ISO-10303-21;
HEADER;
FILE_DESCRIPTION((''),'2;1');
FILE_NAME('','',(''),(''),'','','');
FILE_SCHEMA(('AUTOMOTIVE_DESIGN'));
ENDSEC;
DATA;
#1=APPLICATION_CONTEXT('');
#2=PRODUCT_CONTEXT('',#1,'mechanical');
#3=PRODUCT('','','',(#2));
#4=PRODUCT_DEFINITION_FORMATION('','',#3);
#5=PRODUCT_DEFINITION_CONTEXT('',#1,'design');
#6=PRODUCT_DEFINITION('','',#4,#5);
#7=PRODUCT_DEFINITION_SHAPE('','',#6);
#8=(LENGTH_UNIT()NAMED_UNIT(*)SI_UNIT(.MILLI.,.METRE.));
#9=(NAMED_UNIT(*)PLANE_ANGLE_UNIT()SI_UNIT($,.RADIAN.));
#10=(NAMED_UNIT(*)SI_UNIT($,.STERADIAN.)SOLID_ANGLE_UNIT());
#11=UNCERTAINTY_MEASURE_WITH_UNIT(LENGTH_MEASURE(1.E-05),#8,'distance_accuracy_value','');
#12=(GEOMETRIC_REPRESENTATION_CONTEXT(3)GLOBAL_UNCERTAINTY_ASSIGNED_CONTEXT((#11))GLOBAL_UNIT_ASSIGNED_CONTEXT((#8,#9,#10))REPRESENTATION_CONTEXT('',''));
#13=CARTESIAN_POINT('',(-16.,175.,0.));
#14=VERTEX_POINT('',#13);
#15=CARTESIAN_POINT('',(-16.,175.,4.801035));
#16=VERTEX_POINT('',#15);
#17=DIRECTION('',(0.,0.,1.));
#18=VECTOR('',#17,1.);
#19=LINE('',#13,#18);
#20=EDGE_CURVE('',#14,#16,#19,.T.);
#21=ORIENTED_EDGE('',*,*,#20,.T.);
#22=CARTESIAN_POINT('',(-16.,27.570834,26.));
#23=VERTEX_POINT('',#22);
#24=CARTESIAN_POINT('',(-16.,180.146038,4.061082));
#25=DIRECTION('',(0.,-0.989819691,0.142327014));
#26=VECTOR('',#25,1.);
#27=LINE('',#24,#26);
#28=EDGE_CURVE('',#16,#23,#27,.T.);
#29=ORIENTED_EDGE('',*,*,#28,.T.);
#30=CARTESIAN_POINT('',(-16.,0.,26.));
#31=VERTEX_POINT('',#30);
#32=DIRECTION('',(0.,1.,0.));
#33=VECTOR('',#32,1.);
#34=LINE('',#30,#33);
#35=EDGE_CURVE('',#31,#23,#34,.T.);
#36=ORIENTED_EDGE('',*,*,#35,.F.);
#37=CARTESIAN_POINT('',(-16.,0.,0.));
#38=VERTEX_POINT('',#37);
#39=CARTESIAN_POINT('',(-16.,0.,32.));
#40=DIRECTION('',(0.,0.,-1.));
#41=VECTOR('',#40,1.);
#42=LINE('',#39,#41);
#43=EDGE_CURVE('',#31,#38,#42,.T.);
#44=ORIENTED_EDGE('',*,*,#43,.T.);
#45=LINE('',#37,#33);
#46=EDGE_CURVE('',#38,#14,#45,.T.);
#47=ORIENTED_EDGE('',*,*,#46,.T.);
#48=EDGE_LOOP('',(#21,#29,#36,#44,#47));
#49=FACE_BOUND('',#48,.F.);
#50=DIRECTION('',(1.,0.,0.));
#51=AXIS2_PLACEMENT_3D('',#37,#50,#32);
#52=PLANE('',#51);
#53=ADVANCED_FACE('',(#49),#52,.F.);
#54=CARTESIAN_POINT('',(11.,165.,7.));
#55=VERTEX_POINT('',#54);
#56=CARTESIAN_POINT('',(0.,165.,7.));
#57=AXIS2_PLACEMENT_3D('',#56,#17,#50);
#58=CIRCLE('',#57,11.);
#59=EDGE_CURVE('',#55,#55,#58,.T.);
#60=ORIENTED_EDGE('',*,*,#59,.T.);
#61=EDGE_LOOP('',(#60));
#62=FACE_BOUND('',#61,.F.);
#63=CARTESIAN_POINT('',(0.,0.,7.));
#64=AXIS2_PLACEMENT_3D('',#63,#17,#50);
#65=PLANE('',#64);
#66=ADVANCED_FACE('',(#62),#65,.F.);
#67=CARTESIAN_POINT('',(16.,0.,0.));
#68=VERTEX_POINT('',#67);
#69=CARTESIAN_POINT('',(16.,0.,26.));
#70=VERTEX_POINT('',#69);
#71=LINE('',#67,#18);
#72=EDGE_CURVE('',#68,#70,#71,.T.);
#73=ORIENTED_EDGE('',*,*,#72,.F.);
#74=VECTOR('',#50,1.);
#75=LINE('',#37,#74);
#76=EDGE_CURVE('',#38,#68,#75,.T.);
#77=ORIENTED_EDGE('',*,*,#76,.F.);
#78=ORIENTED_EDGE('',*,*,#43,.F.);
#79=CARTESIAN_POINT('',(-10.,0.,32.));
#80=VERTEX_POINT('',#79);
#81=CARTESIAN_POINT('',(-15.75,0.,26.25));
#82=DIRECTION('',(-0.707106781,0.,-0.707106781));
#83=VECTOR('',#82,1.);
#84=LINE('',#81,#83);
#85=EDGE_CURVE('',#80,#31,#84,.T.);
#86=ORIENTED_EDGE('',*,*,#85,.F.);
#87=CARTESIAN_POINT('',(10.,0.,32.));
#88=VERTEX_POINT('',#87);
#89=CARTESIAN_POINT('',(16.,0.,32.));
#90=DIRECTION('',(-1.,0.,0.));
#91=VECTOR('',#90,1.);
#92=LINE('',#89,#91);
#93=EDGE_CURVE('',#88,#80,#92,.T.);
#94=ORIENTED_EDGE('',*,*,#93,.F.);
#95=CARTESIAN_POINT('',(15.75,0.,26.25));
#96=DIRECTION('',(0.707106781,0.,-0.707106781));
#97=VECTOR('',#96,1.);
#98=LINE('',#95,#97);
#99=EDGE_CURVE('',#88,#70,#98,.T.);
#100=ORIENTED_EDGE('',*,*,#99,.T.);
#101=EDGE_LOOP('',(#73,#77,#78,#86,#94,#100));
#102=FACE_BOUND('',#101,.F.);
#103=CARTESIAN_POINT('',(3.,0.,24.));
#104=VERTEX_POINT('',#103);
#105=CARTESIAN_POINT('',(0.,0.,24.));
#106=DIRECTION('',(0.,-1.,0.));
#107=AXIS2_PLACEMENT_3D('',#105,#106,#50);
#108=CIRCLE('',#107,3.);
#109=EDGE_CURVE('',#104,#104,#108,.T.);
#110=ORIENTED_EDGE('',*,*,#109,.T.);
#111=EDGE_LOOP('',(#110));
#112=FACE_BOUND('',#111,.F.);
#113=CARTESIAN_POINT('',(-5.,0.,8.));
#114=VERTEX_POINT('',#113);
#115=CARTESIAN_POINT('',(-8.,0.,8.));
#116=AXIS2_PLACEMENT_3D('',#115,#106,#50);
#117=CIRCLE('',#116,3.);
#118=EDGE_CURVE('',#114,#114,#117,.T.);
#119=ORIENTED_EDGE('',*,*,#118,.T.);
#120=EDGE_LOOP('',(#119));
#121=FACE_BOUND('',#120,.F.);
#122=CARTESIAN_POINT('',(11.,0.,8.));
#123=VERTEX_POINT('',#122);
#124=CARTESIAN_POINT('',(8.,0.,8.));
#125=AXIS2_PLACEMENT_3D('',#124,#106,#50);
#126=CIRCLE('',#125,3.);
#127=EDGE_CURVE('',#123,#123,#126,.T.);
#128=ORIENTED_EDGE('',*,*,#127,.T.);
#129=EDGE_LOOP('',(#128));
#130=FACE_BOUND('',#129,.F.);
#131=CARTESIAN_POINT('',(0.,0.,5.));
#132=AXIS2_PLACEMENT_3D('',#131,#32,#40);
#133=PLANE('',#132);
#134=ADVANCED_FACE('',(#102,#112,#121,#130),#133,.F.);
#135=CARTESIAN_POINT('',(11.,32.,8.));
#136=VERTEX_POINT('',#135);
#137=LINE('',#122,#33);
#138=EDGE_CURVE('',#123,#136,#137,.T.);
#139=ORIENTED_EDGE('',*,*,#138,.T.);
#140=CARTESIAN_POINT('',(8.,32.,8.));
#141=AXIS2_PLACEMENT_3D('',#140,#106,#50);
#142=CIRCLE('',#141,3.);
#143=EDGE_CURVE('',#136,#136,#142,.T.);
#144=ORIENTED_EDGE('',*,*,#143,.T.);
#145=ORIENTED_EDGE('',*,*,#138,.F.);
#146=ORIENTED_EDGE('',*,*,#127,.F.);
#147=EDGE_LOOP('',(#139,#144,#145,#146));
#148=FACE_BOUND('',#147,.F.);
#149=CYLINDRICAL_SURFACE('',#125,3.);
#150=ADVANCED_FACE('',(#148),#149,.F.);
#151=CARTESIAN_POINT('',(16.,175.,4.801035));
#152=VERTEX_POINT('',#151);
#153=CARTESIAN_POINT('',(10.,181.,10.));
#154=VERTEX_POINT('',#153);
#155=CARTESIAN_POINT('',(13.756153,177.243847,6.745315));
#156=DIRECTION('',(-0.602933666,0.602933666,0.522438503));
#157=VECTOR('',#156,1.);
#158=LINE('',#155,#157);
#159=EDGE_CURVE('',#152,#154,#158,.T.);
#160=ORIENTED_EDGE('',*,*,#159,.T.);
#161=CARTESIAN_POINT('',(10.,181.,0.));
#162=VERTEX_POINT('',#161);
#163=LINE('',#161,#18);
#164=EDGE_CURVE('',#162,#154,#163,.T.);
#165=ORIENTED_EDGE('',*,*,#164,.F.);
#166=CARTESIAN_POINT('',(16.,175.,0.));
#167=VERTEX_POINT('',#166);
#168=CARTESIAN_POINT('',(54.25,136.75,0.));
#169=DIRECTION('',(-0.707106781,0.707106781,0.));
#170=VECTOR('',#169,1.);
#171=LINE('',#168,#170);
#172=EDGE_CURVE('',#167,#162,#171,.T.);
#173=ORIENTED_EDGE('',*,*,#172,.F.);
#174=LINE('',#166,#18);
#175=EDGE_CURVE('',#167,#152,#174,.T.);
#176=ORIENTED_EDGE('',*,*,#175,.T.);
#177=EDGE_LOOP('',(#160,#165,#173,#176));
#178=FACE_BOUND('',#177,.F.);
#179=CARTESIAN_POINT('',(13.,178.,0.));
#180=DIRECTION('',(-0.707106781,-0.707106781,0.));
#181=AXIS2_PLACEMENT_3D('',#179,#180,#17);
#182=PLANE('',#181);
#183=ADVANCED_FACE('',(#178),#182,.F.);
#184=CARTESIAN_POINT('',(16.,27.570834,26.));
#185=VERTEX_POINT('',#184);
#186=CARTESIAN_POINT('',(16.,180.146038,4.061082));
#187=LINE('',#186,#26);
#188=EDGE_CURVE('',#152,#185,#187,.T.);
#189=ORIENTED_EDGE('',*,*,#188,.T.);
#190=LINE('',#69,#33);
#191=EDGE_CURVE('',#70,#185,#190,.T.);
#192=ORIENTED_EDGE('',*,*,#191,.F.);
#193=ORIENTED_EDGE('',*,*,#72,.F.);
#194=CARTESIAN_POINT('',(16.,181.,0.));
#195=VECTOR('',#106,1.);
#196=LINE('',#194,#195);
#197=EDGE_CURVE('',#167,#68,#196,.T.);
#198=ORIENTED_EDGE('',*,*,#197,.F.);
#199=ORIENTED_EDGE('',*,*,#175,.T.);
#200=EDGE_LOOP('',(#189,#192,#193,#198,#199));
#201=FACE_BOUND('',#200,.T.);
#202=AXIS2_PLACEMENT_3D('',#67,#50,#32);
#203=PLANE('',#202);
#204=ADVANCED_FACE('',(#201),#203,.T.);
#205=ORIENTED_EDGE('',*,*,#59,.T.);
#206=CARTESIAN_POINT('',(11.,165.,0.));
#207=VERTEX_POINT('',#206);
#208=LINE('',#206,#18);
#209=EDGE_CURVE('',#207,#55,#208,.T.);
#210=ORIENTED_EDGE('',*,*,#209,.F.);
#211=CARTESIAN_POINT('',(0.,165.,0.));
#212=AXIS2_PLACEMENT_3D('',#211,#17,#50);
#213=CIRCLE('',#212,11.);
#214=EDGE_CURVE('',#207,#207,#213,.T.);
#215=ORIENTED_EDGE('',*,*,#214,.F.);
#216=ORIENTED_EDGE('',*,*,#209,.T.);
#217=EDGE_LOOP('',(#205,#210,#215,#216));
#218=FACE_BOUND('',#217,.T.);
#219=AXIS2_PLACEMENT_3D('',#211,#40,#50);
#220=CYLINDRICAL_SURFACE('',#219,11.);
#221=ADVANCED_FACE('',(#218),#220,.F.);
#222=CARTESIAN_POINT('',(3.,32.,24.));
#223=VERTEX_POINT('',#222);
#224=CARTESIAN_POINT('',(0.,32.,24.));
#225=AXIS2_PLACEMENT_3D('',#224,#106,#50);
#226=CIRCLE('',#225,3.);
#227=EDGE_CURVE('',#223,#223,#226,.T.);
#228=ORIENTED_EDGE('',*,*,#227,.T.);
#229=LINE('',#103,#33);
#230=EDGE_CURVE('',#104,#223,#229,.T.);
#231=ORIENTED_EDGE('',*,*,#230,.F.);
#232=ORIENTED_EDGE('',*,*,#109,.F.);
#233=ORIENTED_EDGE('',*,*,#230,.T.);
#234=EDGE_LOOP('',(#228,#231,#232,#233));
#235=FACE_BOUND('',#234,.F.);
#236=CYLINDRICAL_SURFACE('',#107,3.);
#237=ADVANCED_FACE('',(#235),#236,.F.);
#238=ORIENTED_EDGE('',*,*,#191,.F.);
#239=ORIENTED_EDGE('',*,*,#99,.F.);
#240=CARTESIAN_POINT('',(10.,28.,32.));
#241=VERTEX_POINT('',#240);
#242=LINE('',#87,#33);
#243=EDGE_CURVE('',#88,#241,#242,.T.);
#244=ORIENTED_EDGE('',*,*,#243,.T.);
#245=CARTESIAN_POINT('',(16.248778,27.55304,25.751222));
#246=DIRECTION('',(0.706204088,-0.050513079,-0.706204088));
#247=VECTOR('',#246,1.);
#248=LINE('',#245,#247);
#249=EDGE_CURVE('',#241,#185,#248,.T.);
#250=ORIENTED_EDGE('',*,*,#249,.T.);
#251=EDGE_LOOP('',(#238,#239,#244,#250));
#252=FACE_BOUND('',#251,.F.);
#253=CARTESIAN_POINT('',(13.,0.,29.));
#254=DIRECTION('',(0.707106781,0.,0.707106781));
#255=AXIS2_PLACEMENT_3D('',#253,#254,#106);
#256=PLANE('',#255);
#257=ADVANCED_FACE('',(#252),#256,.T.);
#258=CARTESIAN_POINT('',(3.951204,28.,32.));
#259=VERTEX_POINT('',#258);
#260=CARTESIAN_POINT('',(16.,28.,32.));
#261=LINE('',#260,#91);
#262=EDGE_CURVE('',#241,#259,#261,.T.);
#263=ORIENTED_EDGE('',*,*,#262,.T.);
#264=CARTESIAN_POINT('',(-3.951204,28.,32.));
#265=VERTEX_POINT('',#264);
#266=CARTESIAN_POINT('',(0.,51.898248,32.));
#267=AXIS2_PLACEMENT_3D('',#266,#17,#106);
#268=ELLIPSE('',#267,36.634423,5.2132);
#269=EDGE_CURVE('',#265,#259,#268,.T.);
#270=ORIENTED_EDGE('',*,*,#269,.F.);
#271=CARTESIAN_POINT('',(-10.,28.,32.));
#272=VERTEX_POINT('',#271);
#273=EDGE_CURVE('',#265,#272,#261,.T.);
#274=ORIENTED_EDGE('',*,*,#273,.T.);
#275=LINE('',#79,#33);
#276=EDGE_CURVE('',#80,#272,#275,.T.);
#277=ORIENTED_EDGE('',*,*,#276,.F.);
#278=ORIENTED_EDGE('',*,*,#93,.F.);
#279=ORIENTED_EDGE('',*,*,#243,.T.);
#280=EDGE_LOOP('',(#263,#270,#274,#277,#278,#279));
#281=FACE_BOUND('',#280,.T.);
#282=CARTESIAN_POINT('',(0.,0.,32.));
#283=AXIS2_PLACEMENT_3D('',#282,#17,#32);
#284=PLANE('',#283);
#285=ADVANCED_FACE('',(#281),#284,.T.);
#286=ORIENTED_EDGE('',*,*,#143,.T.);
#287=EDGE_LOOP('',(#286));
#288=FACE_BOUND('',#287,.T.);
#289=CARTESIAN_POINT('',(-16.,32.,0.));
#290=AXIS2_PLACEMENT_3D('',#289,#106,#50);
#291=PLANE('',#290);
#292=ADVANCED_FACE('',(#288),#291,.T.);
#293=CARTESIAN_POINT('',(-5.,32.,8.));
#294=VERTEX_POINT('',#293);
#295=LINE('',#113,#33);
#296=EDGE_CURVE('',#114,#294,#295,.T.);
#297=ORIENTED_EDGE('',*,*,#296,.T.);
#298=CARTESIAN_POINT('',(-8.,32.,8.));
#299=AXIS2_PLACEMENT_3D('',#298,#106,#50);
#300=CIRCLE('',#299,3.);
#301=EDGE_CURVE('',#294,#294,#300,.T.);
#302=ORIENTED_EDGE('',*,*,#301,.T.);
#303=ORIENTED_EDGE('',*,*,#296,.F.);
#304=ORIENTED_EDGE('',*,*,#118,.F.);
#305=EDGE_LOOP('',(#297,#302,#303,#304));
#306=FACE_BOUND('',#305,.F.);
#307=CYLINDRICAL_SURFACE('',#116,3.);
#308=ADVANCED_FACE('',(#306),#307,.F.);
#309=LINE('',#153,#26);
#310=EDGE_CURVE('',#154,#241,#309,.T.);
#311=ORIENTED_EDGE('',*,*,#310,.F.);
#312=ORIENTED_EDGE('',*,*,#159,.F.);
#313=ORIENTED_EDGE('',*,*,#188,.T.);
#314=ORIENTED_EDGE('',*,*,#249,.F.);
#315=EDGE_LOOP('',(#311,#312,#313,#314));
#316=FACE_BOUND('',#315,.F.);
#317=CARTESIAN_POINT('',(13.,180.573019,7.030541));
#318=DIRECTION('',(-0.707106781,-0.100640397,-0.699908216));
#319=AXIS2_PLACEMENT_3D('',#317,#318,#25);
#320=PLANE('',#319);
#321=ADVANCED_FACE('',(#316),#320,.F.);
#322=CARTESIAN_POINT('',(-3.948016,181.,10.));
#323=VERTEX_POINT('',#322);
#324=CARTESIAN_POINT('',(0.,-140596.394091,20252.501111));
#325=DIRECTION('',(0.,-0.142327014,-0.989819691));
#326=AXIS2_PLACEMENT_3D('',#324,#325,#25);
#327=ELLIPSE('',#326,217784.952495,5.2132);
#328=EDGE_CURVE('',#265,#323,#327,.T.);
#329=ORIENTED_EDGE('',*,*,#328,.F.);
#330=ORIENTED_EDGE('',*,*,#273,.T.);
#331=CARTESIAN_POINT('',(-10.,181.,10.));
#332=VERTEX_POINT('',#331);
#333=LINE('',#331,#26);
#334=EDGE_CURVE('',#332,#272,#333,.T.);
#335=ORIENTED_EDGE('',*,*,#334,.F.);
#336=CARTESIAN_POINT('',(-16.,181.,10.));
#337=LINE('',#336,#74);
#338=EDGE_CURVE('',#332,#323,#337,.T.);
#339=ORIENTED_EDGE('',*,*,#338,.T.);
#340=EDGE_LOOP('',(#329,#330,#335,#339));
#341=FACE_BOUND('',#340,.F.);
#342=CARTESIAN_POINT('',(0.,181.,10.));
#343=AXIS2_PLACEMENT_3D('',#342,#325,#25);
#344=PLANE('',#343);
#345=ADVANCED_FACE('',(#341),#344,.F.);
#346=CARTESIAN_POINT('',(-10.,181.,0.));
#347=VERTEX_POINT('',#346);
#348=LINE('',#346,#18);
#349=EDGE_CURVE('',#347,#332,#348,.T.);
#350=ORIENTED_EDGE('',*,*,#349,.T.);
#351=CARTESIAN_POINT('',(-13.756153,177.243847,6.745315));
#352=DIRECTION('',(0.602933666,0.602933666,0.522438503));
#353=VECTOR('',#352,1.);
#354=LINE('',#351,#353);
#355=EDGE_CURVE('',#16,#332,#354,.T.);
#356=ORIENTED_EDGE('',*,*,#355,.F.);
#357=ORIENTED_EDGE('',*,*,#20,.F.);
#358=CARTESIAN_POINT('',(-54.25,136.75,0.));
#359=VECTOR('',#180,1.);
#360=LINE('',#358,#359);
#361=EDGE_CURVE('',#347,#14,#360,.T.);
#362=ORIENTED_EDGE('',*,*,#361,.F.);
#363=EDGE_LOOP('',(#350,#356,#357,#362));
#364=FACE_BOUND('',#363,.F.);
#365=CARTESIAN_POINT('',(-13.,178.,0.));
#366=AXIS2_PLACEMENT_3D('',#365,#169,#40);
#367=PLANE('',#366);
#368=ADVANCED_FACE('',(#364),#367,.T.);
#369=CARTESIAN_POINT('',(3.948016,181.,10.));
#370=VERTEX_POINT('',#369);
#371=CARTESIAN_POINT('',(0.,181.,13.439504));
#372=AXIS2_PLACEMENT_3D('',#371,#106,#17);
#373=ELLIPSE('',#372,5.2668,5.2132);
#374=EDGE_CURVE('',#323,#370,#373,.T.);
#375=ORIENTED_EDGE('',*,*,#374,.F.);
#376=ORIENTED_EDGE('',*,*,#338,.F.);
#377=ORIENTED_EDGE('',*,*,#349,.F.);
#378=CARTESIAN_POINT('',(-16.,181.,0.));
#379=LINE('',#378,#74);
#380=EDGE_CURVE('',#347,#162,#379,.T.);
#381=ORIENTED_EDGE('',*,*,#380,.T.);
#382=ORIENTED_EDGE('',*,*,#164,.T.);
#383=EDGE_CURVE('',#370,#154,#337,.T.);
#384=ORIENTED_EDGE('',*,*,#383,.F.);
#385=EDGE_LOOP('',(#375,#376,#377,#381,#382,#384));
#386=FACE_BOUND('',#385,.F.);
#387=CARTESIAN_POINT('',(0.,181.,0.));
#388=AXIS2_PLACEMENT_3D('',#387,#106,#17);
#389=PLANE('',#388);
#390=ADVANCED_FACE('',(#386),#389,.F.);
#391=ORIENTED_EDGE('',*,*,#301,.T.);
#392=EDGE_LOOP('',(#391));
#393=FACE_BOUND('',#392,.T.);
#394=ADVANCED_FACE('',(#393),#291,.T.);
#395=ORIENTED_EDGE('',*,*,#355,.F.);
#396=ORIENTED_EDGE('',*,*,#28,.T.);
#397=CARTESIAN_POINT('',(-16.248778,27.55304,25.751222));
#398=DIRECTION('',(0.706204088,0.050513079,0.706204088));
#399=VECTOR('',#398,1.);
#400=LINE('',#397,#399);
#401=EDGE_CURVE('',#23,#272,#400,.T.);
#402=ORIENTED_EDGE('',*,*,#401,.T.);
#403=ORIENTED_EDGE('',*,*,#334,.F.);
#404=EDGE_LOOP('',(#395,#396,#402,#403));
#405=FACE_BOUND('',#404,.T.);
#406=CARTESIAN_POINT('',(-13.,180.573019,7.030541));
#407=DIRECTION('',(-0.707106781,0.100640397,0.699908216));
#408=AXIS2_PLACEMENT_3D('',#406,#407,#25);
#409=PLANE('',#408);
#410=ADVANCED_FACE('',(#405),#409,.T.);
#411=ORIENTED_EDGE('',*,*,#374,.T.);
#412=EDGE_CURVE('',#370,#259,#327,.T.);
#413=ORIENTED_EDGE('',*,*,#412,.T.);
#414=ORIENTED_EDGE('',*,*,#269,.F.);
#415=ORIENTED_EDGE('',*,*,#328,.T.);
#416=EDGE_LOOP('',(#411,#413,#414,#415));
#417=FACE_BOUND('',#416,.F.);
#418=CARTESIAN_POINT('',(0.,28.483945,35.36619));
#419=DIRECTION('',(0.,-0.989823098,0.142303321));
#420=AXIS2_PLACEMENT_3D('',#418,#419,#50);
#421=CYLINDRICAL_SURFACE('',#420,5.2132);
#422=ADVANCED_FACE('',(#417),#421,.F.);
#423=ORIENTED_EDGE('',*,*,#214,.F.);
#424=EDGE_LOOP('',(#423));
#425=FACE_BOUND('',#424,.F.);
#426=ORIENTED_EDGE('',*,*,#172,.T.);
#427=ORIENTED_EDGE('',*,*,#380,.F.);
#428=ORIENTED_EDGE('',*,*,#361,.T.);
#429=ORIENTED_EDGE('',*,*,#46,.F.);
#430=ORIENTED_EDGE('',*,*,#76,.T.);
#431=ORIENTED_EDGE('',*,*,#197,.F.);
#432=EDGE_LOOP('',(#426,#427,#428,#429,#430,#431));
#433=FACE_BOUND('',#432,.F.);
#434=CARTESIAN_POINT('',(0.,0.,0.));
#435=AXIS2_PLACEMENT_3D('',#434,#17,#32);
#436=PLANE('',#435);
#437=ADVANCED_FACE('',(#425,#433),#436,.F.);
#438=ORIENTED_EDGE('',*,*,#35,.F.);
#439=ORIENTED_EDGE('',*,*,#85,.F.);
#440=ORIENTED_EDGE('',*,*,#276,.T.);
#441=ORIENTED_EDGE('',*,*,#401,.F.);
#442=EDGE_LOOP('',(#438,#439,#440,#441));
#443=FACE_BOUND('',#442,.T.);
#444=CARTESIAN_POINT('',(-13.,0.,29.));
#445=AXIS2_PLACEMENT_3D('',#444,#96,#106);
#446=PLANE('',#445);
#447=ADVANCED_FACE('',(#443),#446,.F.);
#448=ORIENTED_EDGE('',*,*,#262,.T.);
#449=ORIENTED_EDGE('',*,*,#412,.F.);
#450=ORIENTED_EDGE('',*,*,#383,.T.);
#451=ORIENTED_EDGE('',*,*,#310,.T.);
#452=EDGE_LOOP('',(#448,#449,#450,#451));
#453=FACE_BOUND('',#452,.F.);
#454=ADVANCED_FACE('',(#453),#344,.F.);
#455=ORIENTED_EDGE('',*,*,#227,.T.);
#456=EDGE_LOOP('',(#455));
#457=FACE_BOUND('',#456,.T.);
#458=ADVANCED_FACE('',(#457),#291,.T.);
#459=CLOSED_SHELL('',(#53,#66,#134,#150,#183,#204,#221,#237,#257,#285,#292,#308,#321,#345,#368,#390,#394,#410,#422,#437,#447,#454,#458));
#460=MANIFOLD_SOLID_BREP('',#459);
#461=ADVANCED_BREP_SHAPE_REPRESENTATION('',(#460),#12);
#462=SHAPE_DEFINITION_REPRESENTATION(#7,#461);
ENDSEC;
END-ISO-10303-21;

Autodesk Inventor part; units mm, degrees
ref_plane "YZ Plane" through (0, 0, 0) normal (1, 0, 0) x (0, 1, 0)
ref_plane "XZ Plane" through (0, 0, 0) normal (0, 1, 0) x (-1, 0, 0)
sketch "Sketch1" plane through (0, 0, 0) normal (0, 0, 1) x (1, 0, 0)
  circle A0 centre (0, 165) radius 11
  line L0 (-11, 0) -> (-5, 0) construction
  line L1 (-5, 0) -> (-5, 24.6936) construction
  line L2 (-5, 24.6936) -> (-11, 24.6936) construction
  line L3 (-11, 24.6936) -> (-11, 0) construction
  line L4 (0, 0) -> (0, -33.6453) construction
  line L5 (11, 0) -> (5, 0) construction
  line L6 (5, 0) -> (5, 24.6936) construction
  line L7 (5, 24.6936) -> (11, 24.6936) construction
  line L8 (11, 24.6936) -> (11, 0) construction
  line L9 (16, 0) -> (-16, 0) construction
  line L10 (-16, 0) -> (-16, 181) construction
  line L11 (-16, 181) -> (16, 181) construction
  line L12 (16, 181) -> (16, 0) construction
  line L13 (-11, 168.4627) -> (-11, 161.5373) construction
  line L14 (-3.4627, 176) -> (3.4627, 176) construction
  point P0 (0, 0)
  point P1 (-11, 165)
  point P2 (0, 176)
  dimension "d0" = 22
  dimension "d1" = 165
  dimension "d2" = 6
  dimension "d3" = 10
  dimension "d4" = 5
  dimension "d8" = 5
  dimension "d9" = 5
  dimension "d10" = 32
sketch "Sketch2" plane through (0, 0, 0) normal (1, 0, 0) x (0, 1, 0)
  line L0 (0, 0) -> (181, 0)
  line L1 (181, 0) -> (181, 32) construction
  line L2 (181, 32) -> (0, 32) construction
  line L3 (0, 32) -> (0, 0)
  line L4 (0, 27) -> (25, 27)
  line L5 (25, 27) -> (25, 21)
  line L6 (25, 21) -> (0, 21)
  line L7 (0, 21) -> (0, 27)
  line L8 (25, 11) -> (0, 11)
  line L9 (0, 11) -> (0, 5)
  line L10 (0, 5) -> (25, 5)
  line L11 (25, 5) -> (25, 11)
  line L12 (0, 32) -> (28, 32)
  line L13 (176, 0) -> (154, 0) projected
  line L14 (176, 0) -> (154, 0) construction
  line L15 (154, 0) -> (154, 7) construction
  line L16 (154, 7) -> (176, 7) construction
  line L17 (176, 7) -> (176, 0) construction
  line L18 (181, 0) -> (181, 10)
  line L19 (181, 10) -> (28, 32)
  dimension "d7" = 32
  dimension "d11" = 6
  dimension "d12" = 10
  dimension "d13" = 5
  dimension "d14" = 25
  dimension "d15" = 7
  dimension "d16" = 3
  dimension "d17" = 3
extrude "Extrusion1" add sketch "Sketch2" along normal mid plane 32
chamfer "Chamfer1" distance 6 angle 45 6 edges at (-16, 104.5, 21) (-16, 14, 32) (16, 14, 32) (16, 104.5, 21) (-16, 181, 5) (16, 181, 5)
extrude "Extrusion2" cut sketch "Sketch1" along normal blind 7
sketch "Sketch3" plane through (-10, 181, 10) normal (0, 0.1423, 0.9898) x (1, 0, 0)
  line L0 (0, 0) -> (20, 0) projected
  line L1 (10, 0) -> (10, -154.5736)
  line L2 (0, -154.5736) -> (20, -154.5736) projected
  point P0 (10, -177.7341)
ref_plane "Work Plane1" through (0, 28, 32) normal (0, -0.9898, 0.1423) x (1, 0, 0)
sketch "Sketch4" plane through (0, 28, 32) normal (0, -0.9898, 0.1423) x (1, 0, 0)
  circle A0 centre (0, 3.4008) radius 5.2132
  point P0 (0, -35.6594)
extrude "Extrusion3" cut sketch "Sketch4" against normal through all both and the other way through all
sketch "Sketch5" plane through (-16, 0, 0) normal (0, -1, 0) x (1, 0, 0)
  circle A0 centre (8, 8) radius 3
  circle A1 centre (24, 8) radius 3
  circle A2 centre (16, 24) radius 3
  line L0 (32, 0) -> (0, 0) projected
  line L1 (24, 8) -> (8, 8) construction
  point P0 (16, 0)
  point P1 (16, 0)
  point P2 (16, 8)
  point P3 (16, 0)
  dimension "d27" = 6
  dimension "d28" = 16
  dimension "d29" = 8
  dimension "d30" = 16
extrude "Extrusion4" cut sketch "Sketch5" against normal blind 32
thread "Thread1" size "M6x1" class "6H" standard "ANSI Metric M Profile" full length
thread "Thread2" size "M6x1" class "6H" standard "ANSI Metric M Profile" full length
thread "Thread3" size "M6x1" class "6H" standard "ANSI Metric M Profile" full length
equation "\"d4\" = 0.5 * d3"
equation "\"d18\" = d10"
equation "\"d30\" = d28"
equation "\"d31\" = d10"
properties part number "GB-stand"
